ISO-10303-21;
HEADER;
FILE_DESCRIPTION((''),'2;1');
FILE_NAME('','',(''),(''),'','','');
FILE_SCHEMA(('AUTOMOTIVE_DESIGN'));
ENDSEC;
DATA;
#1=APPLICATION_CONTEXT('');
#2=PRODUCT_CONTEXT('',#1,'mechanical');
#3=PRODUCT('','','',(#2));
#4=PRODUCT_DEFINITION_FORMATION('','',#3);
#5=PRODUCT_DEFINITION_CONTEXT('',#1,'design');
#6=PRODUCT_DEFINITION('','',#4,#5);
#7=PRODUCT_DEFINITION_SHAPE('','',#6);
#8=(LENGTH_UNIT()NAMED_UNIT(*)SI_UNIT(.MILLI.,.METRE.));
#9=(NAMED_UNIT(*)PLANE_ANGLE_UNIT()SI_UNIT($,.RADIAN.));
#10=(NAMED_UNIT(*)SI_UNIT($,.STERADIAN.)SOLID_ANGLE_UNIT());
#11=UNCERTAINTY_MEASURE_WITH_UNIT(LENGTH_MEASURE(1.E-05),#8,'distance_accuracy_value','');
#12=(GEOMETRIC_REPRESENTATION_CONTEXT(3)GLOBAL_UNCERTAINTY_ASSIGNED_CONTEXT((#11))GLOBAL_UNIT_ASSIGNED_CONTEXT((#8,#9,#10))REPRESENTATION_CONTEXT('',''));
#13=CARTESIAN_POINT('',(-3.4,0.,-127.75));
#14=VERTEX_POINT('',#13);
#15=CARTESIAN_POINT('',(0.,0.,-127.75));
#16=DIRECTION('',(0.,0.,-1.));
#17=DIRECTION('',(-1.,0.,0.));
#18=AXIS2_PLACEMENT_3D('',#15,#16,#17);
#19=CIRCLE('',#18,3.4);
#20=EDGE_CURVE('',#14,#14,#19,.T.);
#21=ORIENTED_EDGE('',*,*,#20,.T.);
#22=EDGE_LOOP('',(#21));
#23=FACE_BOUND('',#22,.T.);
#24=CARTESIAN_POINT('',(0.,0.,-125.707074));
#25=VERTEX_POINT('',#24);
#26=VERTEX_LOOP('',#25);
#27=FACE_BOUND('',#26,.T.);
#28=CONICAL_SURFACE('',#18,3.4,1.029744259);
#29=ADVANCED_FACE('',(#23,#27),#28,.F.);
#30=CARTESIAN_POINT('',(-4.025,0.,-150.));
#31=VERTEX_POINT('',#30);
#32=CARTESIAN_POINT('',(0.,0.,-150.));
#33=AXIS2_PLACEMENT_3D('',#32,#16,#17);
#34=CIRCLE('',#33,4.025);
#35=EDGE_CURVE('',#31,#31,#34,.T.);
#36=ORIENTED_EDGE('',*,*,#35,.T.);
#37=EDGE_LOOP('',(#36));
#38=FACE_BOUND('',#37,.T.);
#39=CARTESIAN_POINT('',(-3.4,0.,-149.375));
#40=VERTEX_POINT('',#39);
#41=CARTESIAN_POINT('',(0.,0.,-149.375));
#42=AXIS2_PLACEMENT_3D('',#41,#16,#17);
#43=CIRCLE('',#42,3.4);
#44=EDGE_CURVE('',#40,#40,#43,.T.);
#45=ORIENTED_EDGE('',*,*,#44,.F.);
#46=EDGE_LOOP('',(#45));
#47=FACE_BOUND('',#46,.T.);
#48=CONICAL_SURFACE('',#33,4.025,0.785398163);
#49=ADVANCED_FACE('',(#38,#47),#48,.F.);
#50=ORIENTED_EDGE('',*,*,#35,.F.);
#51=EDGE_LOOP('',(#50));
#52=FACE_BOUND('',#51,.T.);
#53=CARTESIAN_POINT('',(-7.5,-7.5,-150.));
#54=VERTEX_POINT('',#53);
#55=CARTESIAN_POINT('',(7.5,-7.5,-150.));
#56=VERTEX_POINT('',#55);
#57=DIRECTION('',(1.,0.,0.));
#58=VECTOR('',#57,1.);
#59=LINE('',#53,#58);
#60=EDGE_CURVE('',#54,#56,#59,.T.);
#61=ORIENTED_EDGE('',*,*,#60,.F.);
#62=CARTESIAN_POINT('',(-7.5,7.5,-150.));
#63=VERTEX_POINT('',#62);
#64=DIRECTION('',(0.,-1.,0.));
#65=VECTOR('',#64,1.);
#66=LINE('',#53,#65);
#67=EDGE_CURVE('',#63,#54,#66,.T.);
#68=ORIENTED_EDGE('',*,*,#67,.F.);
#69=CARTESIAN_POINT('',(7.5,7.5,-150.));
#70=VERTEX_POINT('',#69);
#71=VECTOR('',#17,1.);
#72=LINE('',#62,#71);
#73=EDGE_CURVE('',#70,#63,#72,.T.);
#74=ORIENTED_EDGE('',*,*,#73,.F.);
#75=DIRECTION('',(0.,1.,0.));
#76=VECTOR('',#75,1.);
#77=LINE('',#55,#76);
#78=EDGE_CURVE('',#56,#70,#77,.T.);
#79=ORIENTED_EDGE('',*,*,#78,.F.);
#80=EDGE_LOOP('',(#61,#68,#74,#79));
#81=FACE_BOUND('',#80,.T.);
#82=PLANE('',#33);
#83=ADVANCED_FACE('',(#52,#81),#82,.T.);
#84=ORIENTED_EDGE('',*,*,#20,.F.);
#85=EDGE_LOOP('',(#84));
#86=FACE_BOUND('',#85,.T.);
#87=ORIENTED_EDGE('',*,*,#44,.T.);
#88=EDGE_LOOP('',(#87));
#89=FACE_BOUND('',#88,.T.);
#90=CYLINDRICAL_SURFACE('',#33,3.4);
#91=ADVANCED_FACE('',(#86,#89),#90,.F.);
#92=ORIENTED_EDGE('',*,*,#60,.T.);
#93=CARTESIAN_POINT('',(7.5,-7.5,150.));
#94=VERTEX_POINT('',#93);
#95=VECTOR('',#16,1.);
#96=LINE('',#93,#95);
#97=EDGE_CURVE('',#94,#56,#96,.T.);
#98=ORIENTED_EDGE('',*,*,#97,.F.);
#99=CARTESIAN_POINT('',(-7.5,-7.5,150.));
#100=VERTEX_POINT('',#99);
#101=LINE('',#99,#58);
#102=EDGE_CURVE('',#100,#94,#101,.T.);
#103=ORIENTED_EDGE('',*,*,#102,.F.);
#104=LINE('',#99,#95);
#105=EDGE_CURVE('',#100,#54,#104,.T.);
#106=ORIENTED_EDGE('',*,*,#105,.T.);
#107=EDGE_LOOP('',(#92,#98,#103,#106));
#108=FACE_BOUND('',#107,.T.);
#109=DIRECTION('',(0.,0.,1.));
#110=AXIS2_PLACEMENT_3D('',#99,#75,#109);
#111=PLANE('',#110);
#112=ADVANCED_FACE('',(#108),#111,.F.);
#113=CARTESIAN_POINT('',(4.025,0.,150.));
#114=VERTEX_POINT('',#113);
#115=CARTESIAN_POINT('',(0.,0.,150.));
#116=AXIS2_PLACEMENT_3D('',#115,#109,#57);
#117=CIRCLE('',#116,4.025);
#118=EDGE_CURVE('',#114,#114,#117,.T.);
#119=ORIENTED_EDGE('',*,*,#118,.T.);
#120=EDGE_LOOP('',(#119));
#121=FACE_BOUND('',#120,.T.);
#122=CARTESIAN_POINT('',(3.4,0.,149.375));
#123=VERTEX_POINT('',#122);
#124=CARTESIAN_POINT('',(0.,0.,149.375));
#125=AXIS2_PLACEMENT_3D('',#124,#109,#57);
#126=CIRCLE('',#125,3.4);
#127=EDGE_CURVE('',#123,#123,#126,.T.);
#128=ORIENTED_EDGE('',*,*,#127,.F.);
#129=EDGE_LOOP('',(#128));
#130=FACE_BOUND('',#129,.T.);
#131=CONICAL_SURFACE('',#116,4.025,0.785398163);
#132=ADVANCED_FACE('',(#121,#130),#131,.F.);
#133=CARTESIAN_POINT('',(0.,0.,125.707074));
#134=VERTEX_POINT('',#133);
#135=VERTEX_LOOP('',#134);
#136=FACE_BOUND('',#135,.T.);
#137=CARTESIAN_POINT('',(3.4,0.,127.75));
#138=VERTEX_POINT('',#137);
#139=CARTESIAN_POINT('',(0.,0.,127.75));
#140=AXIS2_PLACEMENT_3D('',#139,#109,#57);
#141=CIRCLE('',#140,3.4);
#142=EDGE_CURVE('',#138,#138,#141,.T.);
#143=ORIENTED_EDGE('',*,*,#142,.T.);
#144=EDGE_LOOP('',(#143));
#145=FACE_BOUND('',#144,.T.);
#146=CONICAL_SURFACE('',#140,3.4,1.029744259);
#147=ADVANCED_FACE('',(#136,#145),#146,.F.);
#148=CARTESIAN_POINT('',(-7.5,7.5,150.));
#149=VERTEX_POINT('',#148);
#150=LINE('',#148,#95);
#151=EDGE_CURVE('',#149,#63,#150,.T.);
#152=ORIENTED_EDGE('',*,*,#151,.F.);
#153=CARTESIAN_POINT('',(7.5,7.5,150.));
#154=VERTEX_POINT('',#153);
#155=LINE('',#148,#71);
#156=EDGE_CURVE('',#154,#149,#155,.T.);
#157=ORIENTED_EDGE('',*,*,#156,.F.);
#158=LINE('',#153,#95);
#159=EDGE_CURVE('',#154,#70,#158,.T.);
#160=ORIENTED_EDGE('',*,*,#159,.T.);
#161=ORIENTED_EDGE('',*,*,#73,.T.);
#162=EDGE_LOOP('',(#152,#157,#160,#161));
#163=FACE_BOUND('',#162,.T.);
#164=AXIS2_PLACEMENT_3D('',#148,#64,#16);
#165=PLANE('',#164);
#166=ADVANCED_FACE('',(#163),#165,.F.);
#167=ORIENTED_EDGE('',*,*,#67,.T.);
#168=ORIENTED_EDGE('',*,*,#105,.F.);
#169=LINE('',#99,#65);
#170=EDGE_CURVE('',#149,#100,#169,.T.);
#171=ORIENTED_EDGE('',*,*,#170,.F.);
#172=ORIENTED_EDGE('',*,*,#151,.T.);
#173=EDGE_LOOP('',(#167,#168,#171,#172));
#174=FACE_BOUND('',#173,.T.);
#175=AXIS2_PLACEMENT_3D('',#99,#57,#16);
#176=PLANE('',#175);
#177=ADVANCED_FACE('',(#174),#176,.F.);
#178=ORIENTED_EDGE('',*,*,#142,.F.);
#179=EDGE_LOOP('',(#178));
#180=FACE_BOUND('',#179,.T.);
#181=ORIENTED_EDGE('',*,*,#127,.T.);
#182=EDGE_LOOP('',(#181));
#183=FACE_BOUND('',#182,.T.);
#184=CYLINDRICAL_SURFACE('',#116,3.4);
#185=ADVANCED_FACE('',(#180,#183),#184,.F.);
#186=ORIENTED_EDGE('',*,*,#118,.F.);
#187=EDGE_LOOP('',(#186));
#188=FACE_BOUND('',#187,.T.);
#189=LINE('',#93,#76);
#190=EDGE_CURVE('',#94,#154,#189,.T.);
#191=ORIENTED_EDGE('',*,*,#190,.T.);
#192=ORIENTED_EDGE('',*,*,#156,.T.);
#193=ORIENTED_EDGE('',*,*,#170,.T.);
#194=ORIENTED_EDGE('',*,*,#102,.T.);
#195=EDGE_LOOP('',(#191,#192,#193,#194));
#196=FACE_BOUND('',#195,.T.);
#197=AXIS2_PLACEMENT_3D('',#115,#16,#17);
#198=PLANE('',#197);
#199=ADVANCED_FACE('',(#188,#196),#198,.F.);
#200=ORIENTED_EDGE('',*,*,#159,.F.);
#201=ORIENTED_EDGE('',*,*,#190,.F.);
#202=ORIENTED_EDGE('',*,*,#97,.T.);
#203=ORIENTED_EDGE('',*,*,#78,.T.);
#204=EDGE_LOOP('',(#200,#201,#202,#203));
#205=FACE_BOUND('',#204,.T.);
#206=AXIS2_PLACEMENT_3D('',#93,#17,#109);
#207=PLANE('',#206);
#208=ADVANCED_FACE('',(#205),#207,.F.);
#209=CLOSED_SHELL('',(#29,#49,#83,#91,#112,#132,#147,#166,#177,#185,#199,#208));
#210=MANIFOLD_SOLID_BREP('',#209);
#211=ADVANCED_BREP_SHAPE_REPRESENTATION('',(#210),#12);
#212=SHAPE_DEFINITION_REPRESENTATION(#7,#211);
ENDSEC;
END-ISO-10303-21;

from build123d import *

# Parameters (mm, degrees)
SKETCH1_W           = 15
SKETCH1_H           = 15
BOSS_EXTRUDE1_DEPTH = 150


with BuildPart() as part:
    # Sketch1 → Boss-Extrude1 (new, symmetric)
    with BuildSketch(Plane.XY):
        Rectangle(SKETCH1_W, SKETCH1_H)
    extrude(amount=BOSS_EXTRUDE1_DEPTH, both=True)

    # Sketch3 → M8 Tapped Hole1 (revolve, cut)
    with BuildSketch(Plane(origin=(0, 0, 150), x_dir=(0, -1, 0), z_dir=(1, 0, 0))):
        Polygon((0, 0), (0, 24.292926105), (3.4, 22.25), (3.4, 0.625), (4.025, 0), align=None)
    m8_tapped_hole1 = revolve(axis=Axis((0, 0, 156.35), (0, 0, -1)), mode=Mode.SUBTRACT)

    # Mirror1: M8 Tapped Hole1 across plane
    add(m8_tapped_hole1.mirror(Plane.XY), mode=Mode.SUBTRACT)


solid = part.part
